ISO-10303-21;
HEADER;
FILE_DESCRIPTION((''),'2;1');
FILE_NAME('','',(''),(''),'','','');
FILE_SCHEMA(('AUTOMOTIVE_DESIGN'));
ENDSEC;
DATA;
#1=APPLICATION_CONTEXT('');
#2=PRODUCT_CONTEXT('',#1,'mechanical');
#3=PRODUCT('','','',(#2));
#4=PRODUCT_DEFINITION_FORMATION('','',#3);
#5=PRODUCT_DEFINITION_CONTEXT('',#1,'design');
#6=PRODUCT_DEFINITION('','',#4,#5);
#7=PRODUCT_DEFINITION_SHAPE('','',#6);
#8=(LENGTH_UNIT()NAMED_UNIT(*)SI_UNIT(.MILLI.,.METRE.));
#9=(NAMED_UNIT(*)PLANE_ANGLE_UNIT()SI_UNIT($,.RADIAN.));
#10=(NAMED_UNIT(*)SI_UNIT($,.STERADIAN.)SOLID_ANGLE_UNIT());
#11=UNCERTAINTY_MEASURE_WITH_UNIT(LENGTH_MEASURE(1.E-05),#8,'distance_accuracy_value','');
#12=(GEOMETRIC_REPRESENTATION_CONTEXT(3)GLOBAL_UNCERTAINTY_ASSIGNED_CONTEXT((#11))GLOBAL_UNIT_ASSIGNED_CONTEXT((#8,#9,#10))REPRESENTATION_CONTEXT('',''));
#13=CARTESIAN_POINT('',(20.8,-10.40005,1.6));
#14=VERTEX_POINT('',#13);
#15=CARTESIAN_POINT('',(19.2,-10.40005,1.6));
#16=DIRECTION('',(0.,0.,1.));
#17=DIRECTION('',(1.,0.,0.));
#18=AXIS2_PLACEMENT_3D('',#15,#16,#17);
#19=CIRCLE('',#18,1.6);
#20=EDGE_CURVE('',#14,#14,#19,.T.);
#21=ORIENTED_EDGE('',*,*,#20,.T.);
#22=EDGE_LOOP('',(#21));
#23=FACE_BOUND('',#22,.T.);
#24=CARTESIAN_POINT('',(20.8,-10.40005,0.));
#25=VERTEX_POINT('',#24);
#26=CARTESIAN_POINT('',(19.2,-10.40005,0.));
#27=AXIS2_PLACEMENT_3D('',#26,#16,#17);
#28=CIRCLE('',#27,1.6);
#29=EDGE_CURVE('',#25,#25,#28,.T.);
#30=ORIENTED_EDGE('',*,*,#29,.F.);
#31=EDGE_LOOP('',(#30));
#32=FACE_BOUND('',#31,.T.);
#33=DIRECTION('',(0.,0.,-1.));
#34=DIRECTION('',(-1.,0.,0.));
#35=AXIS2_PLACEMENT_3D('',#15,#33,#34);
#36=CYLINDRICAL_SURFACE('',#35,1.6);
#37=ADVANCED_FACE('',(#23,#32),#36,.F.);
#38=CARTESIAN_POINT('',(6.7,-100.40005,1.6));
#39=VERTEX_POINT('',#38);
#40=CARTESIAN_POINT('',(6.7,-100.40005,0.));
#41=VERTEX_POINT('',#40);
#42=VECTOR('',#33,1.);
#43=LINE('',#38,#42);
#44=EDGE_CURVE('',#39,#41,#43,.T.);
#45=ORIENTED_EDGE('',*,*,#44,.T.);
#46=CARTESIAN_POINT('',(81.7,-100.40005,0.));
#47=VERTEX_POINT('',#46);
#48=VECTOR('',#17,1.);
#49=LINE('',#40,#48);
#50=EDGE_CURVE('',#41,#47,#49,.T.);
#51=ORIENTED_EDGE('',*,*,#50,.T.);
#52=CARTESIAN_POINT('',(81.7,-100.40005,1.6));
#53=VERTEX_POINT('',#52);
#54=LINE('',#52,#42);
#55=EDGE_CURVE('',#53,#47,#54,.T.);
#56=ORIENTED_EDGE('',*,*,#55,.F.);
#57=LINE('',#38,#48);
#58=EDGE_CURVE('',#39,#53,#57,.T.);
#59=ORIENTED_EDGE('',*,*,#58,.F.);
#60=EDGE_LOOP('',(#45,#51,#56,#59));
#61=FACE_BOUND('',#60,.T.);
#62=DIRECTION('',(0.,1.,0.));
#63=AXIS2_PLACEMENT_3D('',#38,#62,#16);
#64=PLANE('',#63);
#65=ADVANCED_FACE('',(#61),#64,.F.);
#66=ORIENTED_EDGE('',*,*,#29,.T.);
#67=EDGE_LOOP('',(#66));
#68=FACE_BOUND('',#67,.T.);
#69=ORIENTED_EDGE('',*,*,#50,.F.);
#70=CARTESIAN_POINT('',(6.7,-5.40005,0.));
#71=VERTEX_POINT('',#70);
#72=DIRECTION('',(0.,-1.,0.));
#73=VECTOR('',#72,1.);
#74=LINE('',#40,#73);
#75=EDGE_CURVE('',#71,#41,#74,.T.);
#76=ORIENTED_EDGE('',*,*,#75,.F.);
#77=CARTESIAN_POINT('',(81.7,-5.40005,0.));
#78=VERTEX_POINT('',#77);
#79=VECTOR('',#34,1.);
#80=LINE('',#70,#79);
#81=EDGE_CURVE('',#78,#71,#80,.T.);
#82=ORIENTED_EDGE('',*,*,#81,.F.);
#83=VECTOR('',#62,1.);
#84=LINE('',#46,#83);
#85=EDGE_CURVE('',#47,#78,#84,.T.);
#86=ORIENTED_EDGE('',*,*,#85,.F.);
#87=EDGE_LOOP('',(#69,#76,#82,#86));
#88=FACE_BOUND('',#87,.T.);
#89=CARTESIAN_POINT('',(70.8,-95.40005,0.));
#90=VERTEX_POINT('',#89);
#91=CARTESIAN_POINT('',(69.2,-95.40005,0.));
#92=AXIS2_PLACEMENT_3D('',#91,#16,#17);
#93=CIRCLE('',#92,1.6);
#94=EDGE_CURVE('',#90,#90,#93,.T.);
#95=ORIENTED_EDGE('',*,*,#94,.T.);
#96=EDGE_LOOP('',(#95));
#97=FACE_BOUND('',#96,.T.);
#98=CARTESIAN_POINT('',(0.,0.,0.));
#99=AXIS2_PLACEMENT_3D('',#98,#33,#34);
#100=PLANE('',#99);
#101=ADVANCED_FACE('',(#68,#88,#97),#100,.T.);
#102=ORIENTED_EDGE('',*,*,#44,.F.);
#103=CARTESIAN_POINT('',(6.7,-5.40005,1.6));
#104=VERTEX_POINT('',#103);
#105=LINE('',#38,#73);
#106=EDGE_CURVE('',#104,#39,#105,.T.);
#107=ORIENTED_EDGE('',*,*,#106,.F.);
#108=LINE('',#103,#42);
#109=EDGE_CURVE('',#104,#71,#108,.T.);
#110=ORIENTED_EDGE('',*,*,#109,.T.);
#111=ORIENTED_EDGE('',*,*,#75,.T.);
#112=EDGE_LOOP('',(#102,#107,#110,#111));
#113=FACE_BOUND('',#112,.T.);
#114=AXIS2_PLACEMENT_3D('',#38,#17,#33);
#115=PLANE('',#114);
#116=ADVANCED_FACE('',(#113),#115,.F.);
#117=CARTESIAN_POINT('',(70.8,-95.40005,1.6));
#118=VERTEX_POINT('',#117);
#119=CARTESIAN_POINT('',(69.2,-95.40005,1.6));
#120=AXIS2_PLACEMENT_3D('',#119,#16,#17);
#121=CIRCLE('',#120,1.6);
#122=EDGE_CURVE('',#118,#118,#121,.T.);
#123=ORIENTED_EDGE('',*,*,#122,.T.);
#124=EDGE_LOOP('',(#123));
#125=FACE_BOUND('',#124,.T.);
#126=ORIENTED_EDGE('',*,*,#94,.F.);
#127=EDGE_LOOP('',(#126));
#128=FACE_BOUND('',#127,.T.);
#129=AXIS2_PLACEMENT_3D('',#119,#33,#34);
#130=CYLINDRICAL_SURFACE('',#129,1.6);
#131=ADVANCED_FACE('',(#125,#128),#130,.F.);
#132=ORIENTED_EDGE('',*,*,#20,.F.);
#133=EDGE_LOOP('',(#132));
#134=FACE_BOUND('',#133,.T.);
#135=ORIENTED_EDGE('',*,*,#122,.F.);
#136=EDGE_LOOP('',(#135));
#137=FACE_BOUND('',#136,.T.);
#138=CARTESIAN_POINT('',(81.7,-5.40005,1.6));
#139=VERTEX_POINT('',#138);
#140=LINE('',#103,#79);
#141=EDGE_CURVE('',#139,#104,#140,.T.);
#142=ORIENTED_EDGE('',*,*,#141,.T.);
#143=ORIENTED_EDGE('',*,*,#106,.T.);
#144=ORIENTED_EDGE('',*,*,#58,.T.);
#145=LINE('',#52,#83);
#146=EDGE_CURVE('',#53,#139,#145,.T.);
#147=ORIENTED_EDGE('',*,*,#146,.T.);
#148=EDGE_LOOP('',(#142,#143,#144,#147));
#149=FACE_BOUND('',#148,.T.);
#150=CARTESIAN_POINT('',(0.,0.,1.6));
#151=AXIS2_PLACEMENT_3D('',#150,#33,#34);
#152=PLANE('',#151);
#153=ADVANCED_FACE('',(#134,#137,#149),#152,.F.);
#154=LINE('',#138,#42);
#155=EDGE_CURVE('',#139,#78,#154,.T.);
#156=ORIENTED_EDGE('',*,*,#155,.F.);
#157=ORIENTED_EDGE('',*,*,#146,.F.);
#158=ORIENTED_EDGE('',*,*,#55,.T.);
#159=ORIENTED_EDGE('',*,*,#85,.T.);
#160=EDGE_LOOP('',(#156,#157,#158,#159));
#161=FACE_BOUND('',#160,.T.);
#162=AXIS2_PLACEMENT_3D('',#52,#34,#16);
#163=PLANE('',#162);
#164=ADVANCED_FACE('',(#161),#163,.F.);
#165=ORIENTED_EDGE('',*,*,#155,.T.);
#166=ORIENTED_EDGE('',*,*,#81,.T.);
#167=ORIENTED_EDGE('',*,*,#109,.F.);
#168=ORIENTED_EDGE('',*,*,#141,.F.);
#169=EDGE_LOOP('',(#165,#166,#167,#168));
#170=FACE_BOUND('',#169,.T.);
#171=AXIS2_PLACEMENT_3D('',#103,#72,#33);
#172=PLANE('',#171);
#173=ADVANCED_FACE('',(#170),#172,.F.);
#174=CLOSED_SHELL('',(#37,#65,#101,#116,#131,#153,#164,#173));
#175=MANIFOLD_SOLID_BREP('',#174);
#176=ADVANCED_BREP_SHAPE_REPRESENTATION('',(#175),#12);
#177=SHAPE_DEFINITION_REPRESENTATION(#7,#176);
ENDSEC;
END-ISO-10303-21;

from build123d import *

# Parameters (mm, degrees)
SKETCH1_W           = 75
SKETCH1_H           = 95
SKETCH1_R           = 1.6
BOSS_EXTRUDE1_DEPTH = 1.6


with BuildPart() as part:
    # Sketch1 → Boss-Extrude1 (new body)
    with BuildSketch(Plane.XY):
        with Locations((44.2, -52.900049502)):
            Rectangle(SKETCH1_W, SKETCH1_H)
        with Locations((19.2, -10.400049502)):
            Circle(SKETCH1_R, mode=Mode.SUBTRACT)
        with Locations((69.2, -95.400049502)):
            Circle(SKETCH1_R, mode=Mode.SUBTRACT)
    extrude(amount=BOSS_EXTRUDE1_DEPTH)


solid = part.part
